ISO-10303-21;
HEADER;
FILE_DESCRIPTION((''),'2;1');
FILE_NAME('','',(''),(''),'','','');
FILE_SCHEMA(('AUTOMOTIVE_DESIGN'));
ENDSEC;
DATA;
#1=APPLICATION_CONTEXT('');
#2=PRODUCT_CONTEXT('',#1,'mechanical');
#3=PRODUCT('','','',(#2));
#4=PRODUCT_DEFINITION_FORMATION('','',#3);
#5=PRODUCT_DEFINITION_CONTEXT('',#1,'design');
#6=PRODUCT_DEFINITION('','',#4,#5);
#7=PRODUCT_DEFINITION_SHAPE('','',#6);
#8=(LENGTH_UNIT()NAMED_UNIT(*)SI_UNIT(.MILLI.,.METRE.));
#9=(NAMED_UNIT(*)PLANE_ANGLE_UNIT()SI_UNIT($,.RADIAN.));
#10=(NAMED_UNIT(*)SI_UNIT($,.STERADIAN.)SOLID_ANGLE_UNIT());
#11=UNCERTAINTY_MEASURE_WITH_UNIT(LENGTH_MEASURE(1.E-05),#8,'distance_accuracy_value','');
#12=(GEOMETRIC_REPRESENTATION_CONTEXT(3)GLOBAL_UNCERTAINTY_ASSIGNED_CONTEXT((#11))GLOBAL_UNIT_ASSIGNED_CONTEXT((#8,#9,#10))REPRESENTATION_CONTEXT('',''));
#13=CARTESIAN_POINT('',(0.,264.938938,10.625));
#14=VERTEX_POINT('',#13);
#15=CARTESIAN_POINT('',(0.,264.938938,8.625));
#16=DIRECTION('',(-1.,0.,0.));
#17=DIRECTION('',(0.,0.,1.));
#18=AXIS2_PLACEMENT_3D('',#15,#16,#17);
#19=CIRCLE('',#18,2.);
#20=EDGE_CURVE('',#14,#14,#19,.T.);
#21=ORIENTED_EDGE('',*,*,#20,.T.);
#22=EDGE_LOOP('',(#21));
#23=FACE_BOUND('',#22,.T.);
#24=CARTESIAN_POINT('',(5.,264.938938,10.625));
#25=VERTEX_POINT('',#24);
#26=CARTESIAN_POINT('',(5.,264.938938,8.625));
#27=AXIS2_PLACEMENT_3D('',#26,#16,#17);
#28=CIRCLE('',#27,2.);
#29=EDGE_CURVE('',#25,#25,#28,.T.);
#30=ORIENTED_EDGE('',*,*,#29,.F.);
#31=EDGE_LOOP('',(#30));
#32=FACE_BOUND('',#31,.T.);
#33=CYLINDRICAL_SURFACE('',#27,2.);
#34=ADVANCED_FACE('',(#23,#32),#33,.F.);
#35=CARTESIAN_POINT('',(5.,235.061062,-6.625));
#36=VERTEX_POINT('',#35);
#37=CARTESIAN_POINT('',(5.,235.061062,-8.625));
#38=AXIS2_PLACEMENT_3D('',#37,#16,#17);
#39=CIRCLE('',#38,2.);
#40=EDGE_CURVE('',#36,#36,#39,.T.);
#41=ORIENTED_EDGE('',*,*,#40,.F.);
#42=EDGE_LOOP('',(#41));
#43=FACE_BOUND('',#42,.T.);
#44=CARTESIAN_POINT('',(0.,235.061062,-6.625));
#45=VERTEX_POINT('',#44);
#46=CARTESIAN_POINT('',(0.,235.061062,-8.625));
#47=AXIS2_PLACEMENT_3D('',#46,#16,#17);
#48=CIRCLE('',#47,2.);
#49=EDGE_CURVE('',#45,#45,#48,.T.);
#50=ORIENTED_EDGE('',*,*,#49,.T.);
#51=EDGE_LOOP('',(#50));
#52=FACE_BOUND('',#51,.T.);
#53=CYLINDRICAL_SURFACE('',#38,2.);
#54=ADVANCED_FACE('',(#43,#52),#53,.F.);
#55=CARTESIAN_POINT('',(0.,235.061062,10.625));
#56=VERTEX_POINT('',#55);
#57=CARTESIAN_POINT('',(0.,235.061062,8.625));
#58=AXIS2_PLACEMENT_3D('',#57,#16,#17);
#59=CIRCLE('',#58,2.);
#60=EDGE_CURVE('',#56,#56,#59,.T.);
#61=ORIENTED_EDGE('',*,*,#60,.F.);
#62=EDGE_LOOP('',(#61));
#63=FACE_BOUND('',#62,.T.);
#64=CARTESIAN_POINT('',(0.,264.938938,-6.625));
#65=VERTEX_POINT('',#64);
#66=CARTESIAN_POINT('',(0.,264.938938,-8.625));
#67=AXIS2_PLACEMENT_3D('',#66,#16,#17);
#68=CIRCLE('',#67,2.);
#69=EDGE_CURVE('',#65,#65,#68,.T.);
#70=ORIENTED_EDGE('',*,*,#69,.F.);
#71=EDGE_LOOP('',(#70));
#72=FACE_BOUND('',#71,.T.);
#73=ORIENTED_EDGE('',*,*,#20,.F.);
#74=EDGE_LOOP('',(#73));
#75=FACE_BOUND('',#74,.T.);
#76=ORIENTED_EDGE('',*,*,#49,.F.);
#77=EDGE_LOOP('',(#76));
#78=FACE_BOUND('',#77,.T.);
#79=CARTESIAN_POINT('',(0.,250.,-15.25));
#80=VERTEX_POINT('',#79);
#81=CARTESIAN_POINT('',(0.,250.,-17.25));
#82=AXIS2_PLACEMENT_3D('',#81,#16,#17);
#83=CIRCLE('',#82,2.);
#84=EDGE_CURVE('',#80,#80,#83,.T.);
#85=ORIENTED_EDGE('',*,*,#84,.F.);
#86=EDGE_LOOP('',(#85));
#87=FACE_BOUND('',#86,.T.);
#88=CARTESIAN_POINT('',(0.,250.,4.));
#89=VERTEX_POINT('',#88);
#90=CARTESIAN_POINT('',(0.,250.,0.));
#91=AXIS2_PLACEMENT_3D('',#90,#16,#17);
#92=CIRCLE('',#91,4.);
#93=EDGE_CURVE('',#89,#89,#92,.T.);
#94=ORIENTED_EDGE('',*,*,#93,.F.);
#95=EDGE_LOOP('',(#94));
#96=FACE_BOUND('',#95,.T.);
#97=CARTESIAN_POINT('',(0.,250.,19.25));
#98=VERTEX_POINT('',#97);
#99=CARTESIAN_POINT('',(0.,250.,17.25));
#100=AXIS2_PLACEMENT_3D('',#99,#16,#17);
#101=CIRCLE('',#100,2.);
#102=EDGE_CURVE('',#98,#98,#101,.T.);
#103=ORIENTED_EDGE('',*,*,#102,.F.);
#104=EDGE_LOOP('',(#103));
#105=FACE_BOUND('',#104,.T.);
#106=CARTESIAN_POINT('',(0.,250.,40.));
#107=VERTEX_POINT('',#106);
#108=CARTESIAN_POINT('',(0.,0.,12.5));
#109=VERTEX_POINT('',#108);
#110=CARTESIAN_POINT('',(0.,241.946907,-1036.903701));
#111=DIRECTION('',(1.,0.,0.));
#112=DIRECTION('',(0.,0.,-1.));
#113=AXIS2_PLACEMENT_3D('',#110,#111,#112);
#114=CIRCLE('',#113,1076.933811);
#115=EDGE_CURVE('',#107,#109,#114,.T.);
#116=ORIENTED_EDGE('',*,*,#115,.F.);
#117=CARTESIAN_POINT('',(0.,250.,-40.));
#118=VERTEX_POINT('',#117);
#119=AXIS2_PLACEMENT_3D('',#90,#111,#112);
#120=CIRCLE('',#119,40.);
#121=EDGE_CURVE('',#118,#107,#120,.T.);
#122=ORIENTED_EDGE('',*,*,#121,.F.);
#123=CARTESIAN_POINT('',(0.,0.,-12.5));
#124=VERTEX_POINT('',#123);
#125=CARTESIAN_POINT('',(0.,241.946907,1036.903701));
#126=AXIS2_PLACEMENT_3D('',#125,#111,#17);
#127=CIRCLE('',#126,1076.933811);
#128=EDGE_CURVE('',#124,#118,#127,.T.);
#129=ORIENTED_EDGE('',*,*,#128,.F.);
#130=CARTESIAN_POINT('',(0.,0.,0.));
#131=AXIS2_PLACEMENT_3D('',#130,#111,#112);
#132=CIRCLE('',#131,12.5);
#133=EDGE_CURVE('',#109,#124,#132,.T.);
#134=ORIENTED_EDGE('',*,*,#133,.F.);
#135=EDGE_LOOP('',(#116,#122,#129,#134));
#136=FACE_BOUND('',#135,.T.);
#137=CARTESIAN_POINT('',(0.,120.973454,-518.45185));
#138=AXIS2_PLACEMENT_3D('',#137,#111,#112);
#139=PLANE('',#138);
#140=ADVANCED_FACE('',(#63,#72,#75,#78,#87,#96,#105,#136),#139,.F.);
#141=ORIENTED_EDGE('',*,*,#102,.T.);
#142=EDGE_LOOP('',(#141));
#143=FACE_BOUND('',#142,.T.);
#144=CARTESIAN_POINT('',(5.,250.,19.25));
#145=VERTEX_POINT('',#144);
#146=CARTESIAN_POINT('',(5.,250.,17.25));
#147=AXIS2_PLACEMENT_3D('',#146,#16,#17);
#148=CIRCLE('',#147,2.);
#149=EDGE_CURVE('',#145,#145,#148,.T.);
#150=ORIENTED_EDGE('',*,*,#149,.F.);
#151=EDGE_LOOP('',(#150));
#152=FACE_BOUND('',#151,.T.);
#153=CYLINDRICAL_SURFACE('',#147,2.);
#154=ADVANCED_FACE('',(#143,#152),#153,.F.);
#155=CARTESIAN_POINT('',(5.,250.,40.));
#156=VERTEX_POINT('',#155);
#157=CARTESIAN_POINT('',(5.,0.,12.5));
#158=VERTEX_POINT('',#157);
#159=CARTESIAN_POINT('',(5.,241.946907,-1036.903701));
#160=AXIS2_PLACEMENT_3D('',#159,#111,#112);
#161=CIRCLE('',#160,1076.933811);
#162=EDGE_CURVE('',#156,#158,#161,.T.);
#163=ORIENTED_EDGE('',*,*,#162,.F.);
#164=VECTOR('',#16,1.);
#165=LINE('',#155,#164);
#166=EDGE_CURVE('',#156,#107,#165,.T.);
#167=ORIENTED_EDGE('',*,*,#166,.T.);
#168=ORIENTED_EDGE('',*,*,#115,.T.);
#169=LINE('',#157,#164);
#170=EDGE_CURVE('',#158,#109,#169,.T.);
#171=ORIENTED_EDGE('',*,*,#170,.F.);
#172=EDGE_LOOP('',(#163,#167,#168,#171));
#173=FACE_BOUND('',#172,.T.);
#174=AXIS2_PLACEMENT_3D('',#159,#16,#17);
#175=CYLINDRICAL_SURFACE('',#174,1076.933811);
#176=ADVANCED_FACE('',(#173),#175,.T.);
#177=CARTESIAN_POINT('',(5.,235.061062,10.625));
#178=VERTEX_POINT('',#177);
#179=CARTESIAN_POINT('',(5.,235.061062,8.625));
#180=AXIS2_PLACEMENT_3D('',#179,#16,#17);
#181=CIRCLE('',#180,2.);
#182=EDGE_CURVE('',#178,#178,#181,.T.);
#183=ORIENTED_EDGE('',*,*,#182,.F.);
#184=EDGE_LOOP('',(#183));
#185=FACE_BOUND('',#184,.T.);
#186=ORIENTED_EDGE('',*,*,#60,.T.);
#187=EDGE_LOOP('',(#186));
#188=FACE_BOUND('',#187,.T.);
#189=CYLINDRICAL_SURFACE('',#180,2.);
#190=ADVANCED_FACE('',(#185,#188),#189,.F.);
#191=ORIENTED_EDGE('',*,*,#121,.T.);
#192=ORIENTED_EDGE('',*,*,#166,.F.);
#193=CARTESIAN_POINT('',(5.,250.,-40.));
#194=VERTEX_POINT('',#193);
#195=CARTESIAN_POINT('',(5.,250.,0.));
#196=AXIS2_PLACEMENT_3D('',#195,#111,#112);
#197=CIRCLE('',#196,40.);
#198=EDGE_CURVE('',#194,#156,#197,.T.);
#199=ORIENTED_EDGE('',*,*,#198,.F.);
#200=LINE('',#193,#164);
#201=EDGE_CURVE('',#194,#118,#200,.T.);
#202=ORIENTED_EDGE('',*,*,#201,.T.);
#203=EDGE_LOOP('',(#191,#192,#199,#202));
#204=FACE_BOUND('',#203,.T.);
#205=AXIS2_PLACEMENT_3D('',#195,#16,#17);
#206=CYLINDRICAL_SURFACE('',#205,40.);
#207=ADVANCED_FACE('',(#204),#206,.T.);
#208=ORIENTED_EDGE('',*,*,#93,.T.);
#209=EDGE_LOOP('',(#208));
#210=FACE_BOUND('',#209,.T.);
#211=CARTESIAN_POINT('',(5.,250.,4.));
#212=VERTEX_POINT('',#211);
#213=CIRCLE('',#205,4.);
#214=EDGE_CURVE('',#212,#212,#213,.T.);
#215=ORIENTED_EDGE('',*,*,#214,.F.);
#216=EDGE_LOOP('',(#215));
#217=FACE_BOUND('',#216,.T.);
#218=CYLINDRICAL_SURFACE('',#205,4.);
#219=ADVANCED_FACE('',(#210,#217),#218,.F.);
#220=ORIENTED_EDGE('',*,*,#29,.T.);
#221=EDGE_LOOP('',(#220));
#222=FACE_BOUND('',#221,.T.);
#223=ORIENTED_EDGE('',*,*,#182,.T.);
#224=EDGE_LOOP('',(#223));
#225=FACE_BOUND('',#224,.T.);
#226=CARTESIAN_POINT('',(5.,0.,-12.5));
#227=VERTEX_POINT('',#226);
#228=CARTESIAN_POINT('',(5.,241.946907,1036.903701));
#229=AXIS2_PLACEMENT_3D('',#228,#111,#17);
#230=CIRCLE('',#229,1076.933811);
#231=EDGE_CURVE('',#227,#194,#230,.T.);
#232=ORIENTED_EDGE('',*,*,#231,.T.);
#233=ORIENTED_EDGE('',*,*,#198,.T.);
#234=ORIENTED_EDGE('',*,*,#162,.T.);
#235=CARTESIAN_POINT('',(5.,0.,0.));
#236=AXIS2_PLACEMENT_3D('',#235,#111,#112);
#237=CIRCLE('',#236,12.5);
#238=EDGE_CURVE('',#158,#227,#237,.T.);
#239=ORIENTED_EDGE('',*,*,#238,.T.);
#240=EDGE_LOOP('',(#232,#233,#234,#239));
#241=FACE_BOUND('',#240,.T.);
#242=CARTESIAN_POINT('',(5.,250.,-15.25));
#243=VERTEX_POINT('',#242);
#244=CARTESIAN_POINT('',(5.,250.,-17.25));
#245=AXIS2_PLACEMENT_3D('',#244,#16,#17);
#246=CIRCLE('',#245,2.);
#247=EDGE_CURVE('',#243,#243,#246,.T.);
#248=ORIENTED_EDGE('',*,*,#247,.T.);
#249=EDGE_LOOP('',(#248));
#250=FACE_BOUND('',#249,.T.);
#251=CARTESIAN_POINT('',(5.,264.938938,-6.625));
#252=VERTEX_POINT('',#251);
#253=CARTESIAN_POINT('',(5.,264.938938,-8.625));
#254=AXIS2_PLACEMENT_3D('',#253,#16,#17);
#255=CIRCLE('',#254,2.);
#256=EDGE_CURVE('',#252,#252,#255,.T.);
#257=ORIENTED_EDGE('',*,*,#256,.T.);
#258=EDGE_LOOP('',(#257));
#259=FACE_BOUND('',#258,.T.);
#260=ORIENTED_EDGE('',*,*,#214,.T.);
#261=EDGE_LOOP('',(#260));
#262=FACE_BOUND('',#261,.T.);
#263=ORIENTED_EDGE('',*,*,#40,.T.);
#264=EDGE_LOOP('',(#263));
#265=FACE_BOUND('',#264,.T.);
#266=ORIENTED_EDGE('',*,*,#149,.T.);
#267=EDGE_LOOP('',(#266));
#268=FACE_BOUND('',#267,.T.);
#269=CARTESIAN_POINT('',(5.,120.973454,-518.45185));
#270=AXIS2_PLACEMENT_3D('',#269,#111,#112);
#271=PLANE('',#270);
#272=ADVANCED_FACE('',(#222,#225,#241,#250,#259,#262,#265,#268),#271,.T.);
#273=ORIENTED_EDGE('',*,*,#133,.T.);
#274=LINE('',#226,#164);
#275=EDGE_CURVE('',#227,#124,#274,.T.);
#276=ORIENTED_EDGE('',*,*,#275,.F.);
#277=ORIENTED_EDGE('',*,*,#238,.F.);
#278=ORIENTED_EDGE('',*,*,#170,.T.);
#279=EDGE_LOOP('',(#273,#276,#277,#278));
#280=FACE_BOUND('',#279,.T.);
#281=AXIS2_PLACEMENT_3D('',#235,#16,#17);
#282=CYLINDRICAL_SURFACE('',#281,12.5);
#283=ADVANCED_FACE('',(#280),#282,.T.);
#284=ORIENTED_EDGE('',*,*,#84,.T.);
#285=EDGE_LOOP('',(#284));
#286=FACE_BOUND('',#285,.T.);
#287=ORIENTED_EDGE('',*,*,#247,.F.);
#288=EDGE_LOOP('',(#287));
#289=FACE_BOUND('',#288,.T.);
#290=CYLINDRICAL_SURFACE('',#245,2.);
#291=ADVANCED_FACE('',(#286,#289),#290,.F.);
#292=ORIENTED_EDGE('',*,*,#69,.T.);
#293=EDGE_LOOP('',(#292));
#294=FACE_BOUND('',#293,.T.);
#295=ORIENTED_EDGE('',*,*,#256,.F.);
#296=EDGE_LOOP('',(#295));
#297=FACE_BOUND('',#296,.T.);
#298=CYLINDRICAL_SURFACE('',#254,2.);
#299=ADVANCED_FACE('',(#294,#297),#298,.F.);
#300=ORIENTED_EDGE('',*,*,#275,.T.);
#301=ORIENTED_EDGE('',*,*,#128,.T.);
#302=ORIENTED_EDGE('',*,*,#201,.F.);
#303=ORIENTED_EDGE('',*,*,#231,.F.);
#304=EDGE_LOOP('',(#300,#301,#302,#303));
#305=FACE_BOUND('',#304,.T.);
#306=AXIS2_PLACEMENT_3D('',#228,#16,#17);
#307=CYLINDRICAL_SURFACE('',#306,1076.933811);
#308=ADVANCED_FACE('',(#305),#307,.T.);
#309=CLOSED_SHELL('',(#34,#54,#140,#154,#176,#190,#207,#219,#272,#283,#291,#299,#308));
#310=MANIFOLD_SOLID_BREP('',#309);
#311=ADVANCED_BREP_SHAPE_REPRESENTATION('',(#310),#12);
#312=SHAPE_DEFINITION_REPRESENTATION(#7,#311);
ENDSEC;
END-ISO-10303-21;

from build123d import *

# Parameters (mm, degrees)
EXTRUDE_1_DEPTH     = 5
SKETCH_2_R          = 2
SKETCH_2_R_2        = 4
CUT_EXTRUDE_1_DEPTH = 293.792434527


with BuildPart() as part:
    # 草图1 → 凸台-拉伸1 (new body)
    with BuildSketch(Plane(origin=(0, 0, 0), x_dir=(0, 0, -1), z_dir=(1, 0, 0))):
        with BuildLine():
            ThreePointArc((-12.5, 0), (0, -12.5), (12.5, 0))
            ThreePointArc((12.5, 0), (33.57319831, 124.194448186), (40, 250))
            ThreePointArc((40, 250), (0, 290), (-40, 250))
            ThreePointArc((-40, 250), (-33.57319831, 124.194448186), (-12.5, 0))
        make_face()
    extrude(amount=EXTRUDE_1_DEPTH)

    # 草图2 → 切除-拉伸1 (cut, through all)
    with BuildSketch(Plane.ZY):
        with Locations((17.25, 250)):
            Circle(SKETCH_2_R)
        with Locations((8.625, 235.061061785)):
            Circle(SKETCH_2_R)
        with Locations((-8.625, 235.061061785)):
            Circle(SKETCH_2_R)
        with Locations((-17.25, 250)):
            Circle(SKETCH_2_R)
        with Locations((-8.625, 264.938938215)):
            Circle(SKETCH_2_R)
        with Locations((8.625, 264.938938215)):
            Circle(SKETCH_2_R)
        with Locations((0, 250)):
            Circle(SKETCH_2_R_2)
    extrude(amount=-CUT_EXTRUDE_1_DEPTH, mode=Mode.SUBTRACT)


solid = part.part
